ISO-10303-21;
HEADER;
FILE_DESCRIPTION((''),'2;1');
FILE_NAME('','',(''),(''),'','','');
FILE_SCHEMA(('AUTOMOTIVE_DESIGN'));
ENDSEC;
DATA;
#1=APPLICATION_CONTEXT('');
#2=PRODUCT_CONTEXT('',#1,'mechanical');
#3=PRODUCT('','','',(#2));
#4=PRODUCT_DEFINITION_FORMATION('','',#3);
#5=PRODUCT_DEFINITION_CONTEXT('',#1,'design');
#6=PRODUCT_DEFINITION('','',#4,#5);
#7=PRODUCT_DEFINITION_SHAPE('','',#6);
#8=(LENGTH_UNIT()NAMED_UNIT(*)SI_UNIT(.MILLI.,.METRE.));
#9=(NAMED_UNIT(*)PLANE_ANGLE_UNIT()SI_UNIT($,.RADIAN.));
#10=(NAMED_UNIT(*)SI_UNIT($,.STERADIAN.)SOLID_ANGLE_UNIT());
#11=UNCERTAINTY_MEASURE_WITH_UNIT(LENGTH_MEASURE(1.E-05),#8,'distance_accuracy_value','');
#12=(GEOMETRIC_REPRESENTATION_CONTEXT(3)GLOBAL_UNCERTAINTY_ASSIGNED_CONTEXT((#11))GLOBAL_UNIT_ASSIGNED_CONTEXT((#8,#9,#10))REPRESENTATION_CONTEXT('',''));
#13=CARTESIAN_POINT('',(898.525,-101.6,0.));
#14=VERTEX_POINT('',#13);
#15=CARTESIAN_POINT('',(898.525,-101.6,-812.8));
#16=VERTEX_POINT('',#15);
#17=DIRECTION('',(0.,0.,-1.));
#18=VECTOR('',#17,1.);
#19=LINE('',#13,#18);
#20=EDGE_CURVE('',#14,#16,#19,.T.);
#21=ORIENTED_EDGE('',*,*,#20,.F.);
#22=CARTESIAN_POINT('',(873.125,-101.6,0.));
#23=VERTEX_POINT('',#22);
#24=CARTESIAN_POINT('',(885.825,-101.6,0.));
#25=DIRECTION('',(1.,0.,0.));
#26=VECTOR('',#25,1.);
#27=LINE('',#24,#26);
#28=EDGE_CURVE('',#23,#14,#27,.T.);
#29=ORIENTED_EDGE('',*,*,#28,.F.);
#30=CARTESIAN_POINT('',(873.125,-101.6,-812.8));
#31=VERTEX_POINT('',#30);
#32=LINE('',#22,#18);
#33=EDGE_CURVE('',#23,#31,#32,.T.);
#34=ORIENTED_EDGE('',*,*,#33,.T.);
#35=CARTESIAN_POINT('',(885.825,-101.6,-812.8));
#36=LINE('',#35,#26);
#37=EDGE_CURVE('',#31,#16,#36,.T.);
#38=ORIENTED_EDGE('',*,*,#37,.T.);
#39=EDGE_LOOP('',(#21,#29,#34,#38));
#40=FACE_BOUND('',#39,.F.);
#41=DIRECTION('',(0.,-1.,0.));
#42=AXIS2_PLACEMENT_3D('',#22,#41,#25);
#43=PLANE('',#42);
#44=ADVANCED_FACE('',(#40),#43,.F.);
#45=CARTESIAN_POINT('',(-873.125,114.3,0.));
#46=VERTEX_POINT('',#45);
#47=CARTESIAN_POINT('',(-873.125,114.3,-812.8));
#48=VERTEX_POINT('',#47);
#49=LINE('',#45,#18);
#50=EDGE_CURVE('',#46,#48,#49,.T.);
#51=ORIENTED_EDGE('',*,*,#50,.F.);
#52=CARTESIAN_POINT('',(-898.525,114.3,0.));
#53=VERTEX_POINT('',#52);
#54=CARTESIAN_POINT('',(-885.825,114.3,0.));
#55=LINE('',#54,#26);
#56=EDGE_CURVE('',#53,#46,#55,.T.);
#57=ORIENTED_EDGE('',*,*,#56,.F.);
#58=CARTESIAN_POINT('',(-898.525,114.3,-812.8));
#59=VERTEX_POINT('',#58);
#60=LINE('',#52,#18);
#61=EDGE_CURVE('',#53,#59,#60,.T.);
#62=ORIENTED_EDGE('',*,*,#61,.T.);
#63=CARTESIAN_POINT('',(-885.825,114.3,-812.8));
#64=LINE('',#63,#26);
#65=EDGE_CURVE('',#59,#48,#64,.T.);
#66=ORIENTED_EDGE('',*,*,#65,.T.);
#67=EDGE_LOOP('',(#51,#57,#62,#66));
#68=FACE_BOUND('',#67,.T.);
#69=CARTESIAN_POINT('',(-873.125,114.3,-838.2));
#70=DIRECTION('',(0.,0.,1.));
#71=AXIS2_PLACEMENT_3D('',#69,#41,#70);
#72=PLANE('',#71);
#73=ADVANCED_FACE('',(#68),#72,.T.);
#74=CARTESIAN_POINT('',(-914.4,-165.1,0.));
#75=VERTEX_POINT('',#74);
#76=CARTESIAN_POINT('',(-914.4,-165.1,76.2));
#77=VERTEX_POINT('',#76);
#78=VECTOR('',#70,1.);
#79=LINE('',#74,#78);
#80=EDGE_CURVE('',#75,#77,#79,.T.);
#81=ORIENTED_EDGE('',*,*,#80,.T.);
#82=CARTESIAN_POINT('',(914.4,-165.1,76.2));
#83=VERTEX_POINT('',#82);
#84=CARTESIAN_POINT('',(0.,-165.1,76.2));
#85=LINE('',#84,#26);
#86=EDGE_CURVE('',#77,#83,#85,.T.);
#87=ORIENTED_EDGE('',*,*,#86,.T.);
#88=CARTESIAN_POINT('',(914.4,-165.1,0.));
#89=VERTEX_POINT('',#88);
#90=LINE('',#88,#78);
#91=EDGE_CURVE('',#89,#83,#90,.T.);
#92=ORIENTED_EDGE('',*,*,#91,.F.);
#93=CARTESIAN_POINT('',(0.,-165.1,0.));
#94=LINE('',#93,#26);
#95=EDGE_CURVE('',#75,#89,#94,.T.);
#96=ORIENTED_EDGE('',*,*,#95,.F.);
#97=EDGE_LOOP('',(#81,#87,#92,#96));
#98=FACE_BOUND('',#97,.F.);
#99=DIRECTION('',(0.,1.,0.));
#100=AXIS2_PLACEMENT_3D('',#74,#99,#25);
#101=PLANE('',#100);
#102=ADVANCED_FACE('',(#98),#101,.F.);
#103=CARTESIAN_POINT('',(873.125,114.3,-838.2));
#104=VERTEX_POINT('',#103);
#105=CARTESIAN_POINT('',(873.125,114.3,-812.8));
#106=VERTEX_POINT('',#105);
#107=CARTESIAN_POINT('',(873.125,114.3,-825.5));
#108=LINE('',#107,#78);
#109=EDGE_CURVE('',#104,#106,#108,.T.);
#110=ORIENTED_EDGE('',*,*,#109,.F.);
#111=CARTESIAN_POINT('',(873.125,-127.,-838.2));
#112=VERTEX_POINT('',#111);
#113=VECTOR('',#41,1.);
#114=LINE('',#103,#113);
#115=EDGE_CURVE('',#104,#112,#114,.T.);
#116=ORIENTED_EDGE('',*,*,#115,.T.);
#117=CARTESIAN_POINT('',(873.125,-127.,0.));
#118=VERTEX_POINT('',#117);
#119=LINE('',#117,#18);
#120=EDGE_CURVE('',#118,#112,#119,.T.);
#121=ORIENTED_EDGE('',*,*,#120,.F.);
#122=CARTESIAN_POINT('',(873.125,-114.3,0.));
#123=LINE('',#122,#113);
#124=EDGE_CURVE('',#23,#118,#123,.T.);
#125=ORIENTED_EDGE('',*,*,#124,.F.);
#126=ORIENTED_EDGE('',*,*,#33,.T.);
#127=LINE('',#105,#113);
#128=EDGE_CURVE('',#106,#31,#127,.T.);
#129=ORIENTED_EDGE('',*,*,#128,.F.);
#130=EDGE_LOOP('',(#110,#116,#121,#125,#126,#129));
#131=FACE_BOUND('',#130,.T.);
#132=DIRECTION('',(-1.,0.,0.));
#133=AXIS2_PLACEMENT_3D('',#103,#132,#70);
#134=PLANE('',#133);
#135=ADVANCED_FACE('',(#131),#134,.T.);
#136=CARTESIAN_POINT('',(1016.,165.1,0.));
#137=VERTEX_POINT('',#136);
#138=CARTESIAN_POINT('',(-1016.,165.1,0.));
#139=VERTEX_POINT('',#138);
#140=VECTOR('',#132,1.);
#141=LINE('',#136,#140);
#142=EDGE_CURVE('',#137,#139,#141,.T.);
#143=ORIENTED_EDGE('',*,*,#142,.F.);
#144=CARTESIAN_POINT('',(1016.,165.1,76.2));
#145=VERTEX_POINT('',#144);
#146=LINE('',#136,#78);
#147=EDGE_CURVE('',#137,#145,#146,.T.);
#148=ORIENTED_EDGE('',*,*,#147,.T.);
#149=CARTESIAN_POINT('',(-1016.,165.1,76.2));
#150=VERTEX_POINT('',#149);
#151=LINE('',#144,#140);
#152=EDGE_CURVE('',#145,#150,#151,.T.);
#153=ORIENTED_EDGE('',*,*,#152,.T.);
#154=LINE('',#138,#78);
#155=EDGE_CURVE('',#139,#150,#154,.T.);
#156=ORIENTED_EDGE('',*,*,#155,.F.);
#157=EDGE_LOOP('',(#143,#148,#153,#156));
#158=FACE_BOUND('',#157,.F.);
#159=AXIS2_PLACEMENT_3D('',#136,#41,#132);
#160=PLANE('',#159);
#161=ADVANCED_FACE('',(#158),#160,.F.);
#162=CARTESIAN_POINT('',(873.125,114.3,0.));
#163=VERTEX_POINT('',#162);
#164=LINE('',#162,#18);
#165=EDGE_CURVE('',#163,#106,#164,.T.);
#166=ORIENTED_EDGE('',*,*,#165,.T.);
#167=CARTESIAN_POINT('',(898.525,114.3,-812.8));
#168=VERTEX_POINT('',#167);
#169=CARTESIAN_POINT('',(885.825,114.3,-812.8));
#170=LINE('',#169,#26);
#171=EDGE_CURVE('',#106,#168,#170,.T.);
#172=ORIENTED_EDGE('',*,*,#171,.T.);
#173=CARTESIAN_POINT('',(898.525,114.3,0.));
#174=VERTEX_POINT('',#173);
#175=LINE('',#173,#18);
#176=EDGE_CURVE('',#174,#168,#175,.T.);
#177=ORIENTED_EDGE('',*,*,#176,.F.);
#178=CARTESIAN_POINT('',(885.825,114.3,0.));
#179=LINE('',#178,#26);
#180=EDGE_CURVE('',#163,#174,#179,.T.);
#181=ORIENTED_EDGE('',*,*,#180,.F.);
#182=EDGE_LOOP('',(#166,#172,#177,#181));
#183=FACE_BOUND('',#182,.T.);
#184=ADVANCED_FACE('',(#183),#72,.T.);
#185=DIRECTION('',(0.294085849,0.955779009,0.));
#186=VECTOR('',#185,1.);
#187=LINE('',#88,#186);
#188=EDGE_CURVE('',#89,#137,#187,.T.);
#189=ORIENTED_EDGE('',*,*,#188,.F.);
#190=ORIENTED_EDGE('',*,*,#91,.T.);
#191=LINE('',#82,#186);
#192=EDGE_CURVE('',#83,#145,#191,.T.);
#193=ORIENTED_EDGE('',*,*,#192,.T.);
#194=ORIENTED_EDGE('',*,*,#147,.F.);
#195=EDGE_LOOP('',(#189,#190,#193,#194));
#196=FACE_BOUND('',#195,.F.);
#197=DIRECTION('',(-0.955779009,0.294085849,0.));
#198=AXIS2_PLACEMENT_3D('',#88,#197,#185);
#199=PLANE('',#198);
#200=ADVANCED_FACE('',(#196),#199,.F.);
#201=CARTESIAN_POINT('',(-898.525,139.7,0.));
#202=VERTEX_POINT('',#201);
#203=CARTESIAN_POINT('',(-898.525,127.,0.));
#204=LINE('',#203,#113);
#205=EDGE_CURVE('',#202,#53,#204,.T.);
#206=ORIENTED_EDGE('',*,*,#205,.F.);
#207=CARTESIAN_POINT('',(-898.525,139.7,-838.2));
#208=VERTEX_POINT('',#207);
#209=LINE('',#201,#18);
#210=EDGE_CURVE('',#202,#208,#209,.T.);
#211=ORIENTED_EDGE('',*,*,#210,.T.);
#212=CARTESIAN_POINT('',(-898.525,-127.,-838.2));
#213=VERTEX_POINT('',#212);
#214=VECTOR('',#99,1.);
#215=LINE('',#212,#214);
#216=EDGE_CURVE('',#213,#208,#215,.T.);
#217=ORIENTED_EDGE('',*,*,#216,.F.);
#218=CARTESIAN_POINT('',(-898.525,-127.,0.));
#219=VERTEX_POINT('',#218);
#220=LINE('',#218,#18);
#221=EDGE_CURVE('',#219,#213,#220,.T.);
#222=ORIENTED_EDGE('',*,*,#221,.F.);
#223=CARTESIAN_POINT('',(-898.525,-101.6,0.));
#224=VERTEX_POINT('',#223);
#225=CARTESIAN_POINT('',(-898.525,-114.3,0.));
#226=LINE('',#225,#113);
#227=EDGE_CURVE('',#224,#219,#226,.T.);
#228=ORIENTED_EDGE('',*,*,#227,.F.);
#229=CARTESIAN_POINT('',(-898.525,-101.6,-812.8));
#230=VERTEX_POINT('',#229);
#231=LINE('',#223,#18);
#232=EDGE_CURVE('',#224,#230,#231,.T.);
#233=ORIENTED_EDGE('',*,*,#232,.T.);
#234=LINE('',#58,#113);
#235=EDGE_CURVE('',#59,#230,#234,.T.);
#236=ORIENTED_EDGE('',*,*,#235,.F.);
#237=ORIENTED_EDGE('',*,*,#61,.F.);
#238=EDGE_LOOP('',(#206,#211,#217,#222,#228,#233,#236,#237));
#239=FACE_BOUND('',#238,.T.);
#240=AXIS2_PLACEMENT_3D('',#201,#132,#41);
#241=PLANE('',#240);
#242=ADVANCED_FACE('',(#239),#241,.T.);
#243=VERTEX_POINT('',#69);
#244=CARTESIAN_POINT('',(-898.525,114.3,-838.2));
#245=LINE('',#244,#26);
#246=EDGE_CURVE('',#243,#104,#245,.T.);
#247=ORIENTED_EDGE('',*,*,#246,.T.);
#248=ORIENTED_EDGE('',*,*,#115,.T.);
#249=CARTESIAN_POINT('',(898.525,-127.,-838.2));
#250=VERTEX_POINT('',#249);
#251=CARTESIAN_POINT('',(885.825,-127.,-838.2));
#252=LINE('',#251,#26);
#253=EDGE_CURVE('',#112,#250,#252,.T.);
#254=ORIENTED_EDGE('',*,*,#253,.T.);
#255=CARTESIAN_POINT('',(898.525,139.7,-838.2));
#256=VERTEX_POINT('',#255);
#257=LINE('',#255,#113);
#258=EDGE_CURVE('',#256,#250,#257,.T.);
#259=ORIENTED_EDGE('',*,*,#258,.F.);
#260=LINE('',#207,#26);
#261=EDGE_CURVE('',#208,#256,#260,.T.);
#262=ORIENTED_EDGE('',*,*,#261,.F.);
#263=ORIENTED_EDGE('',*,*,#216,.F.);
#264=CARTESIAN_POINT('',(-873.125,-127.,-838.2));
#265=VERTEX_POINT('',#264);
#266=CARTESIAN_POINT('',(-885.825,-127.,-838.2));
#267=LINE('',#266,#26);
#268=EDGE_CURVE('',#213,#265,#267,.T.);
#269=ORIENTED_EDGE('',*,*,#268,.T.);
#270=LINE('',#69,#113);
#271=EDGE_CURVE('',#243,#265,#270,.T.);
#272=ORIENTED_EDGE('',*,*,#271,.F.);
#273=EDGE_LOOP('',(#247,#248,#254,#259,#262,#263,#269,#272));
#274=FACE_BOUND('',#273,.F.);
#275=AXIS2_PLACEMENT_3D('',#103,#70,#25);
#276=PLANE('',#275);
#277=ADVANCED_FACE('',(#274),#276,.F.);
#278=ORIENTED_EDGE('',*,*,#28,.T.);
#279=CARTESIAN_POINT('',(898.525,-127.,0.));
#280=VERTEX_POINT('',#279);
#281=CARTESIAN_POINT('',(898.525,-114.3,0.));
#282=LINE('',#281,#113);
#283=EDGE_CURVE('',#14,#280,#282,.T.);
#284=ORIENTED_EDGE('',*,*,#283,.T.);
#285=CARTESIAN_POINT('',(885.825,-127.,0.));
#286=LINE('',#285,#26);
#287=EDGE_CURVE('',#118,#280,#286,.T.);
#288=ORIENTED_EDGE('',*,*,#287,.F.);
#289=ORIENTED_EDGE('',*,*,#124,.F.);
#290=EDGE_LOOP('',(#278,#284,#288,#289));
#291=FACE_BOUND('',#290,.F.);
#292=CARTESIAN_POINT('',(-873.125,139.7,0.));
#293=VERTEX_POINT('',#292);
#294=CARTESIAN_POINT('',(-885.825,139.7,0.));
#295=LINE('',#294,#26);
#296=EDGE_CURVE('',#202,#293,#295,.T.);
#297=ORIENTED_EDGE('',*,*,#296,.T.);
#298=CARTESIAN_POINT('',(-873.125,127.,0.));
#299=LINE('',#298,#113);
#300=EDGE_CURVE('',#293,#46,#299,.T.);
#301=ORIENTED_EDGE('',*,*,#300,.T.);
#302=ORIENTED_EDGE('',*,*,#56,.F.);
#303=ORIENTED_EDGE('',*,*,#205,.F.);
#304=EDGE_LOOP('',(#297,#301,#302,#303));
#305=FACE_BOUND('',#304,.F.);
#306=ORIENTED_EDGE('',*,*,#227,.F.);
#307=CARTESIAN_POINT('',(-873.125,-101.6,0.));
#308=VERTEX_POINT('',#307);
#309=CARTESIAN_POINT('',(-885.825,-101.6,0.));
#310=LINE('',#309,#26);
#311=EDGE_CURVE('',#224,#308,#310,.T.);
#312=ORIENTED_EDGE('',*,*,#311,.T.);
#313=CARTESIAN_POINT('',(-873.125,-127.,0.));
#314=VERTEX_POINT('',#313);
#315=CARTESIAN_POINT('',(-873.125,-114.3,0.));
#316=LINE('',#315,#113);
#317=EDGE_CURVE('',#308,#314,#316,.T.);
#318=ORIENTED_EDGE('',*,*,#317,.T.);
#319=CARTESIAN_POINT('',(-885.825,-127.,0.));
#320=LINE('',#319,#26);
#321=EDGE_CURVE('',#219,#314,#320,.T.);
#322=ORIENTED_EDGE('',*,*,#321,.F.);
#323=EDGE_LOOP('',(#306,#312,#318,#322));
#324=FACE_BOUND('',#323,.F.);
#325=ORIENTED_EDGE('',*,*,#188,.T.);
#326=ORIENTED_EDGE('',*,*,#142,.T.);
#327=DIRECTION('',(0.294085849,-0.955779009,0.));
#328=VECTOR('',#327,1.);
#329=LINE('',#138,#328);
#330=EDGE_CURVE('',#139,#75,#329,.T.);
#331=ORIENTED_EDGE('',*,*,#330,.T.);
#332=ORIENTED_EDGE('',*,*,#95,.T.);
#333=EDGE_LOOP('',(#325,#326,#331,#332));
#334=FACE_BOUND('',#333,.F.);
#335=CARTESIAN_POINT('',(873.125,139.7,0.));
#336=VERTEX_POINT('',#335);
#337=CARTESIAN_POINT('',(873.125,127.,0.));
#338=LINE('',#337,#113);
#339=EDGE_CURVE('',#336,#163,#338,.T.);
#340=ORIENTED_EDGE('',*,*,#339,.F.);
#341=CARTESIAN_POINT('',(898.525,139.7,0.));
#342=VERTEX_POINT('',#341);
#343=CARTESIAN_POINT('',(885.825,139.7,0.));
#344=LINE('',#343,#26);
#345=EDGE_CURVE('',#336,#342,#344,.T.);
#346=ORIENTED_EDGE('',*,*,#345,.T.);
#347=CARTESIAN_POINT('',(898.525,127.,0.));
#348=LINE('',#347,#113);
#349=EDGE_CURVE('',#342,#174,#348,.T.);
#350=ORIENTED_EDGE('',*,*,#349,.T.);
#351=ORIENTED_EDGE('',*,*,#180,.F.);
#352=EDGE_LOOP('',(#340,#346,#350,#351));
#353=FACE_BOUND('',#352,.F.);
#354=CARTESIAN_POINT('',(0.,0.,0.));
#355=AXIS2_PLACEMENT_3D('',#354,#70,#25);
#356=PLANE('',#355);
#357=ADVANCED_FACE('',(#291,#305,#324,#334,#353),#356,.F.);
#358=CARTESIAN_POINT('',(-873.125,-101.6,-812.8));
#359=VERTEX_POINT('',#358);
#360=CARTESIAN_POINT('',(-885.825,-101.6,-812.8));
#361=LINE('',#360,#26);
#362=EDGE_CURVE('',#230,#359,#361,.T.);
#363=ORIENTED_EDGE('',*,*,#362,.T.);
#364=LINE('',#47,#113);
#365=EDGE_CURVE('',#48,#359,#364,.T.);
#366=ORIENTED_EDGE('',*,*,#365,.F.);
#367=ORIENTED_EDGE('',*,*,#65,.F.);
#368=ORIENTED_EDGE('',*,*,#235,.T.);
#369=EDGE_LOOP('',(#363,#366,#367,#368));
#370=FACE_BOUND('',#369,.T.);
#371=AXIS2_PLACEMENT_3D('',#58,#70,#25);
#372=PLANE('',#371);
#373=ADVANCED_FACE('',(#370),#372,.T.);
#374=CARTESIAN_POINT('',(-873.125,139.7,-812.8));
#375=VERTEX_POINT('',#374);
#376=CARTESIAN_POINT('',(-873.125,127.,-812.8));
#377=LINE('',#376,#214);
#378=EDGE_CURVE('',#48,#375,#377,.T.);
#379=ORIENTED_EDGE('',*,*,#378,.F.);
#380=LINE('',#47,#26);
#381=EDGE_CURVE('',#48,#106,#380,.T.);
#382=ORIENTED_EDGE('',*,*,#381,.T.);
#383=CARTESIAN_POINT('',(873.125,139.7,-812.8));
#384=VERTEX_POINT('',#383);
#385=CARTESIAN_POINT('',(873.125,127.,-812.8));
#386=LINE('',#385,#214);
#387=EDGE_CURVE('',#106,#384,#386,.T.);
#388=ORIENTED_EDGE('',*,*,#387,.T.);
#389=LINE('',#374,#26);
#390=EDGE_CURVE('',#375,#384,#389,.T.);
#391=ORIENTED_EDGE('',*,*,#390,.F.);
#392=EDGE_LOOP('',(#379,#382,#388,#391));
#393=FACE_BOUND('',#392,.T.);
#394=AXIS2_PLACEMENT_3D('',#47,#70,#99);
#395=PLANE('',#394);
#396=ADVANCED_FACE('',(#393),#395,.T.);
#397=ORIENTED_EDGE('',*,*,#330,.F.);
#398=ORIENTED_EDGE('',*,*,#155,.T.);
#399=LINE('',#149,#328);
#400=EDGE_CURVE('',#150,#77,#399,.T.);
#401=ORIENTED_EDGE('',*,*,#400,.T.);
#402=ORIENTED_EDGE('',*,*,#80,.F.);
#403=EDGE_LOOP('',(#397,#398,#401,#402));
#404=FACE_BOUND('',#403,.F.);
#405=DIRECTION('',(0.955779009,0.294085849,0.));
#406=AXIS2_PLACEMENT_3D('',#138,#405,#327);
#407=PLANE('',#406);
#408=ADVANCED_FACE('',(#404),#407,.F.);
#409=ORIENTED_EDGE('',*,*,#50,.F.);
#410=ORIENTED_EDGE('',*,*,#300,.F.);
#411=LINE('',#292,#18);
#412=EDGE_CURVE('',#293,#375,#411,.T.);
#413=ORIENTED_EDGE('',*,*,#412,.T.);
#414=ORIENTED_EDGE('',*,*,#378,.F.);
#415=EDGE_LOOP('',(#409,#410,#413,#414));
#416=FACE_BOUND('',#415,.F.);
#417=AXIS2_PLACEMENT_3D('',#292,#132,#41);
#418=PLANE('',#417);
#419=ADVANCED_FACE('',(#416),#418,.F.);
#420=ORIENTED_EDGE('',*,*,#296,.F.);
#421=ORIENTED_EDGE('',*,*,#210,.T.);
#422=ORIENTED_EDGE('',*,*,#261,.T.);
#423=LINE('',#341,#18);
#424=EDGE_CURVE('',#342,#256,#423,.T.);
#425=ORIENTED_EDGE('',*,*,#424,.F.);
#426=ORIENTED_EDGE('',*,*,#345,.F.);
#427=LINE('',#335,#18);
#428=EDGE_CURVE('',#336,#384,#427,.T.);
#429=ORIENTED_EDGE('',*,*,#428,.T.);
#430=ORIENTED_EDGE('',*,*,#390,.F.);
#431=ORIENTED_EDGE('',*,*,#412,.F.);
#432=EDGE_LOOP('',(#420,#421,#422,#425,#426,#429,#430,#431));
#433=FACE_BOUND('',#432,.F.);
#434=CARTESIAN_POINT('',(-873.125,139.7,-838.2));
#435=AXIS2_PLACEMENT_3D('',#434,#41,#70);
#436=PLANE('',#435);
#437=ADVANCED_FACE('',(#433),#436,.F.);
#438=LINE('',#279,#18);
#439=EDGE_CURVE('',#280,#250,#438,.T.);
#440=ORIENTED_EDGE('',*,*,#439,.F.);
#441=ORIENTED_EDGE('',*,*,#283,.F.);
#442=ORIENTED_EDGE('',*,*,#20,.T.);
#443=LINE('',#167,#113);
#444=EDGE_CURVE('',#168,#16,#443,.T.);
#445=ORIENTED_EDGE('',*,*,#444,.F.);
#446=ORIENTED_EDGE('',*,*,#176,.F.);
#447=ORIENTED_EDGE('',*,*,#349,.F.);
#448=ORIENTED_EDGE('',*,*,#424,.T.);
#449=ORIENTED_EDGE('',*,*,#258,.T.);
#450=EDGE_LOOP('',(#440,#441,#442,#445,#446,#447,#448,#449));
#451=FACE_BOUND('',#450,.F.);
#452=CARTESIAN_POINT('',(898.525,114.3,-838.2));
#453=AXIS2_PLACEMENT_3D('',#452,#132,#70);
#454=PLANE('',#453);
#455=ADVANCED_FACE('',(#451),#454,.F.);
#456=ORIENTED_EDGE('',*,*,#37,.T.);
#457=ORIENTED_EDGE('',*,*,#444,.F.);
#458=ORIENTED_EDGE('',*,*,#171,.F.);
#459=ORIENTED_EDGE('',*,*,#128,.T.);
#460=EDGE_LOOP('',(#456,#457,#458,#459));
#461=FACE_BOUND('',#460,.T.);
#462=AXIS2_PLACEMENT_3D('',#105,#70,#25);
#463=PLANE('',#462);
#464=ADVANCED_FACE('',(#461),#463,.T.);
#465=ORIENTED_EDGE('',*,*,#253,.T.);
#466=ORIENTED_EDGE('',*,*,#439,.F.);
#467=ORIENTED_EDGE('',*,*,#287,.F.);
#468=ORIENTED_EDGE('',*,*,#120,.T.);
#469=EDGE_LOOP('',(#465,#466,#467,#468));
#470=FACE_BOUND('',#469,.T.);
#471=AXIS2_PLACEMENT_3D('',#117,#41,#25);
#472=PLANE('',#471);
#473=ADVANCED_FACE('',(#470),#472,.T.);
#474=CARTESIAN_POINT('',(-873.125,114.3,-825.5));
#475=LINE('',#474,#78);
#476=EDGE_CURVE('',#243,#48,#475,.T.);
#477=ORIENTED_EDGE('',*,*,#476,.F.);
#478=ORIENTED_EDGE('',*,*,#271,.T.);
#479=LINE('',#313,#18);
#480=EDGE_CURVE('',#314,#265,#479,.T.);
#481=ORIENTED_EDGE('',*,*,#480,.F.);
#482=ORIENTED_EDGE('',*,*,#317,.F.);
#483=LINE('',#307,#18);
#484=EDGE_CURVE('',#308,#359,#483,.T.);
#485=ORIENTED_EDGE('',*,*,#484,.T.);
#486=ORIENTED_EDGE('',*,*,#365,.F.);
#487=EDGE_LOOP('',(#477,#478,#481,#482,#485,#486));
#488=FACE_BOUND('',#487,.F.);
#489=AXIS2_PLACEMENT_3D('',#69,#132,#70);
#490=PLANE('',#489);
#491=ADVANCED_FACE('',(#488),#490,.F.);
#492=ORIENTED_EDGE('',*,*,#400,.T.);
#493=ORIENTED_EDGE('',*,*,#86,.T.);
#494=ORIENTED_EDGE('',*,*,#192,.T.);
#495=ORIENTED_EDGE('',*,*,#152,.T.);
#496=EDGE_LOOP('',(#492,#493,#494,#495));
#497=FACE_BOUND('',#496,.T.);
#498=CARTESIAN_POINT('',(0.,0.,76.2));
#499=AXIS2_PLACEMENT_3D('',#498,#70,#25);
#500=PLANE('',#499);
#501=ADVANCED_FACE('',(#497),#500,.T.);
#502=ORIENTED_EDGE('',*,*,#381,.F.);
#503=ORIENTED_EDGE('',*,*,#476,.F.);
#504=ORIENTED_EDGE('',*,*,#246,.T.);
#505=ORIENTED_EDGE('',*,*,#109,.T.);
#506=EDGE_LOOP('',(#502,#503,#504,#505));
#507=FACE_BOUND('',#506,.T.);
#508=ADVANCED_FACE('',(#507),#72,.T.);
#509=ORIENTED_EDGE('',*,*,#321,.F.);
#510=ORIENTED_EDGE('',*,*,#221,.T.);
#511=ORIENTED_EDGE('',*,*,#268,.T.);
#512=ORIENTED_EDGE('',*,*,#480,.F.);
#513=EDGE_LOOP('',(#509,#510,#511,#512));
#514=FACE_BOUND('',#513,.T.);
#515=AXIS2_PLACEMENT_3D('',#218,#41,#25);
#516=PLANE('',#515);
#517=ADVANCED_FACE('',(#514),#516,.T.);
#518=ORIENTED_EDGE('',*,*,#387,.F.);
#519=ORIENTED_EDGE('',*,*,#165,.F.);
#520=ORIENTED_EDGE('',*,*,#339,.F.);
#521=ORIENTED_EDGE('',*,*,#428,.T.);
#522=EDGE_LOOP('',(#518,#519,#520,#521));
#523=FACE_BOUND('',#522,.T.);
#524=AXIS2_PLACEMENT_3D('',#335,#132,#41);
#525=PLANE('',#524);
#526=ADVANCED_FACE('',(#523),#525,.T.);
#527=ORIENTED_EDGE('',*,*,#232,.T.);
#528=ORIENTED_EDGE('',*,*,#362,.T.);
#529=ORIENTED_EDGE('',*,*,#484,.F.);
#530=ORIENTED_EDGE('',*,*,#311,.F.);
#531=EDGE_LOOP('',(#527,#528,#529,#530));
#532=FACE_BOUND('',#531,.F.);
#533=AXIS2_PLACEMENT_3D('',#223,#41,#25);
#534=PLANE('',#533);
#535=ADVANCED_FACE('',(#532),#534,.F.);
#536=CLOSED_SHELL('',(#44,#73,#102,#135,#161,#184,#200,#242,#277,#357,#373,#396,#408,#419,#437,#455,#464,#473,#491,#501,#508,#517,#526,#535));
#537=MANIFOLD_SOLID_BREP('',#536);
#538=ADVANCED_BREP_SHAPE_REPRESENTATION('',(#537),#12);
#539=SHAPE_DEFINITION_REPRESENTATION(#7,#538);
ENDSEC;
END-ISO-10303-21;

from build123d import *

# Parameters (mm, degrees)
F0_W     = 1828.8
F0_H     = 330.2
F1_DEPTH = 76.2
F2_W     = 25.4
F2_H     = 25.4
F3_DEPTH = 838.2
F4_W     = 25.4
F4_H     = 25.4
F5_DEPTH = 1746.25
F6_W     = 25.4
F6_H     = 25.4
F7_DEPTH = 215.9


with BuildPart() as f1:
    # F0 (on Top) → F1 (new body)
    with BuildSketch(Plane.XY):
        Rectangle(F0_W, F0_H)
        Polygon((-914.4, -165.1), (-914.4, 165.1), (-1016, 165.1), align=None)
        Polygon((1016, 165.1), (914.4, 165.1), (914.4, -165.1), align=None)
    extrude(amount=F1_DEPTH)

    # F2 (on face) → F3 (join)
    with BuildSketch(Plane(origin=(0, 0, 0), x_dir=(1, 0, 0), z_dir=(0, 0, -1))):
        with Locations((885.825, 114.3)):
            Rectangle(F2_W, F2_H)
        with Locations((-885.825, 114.3)):
            Rectangle(F2_W, F2_H)
        with Locations((-885.825, -127)):
            Rectangle(F2_W, F2_H)
        with Locations((885.825, -127)):
            Rectangle(F2_W, F2_H)
    extrude(amount=F3_DEPTH)

    # F4 (on face) → F5 (join, through all)
    with BuildSketch(Plane.YZ.offset(-873.125)):
        with Locations((127, -825.5)):
            Rectangle(F4_W, F4_H)
    extrude(amount=F5_DEPTH)

    # F6 (on face) → F7 (join, through all)
    with BuildSketch(Plane.XZ.offset(-114.3)):
        with Locations((885.825, -825.5)):
            Rectangle(F6_W, F6_H)
        with Locations((-885.825, -825.5)):
            Rectangle(F6_W, F6_H)
    extrude(amount=F7_DEPTH)


solid = f1.part
